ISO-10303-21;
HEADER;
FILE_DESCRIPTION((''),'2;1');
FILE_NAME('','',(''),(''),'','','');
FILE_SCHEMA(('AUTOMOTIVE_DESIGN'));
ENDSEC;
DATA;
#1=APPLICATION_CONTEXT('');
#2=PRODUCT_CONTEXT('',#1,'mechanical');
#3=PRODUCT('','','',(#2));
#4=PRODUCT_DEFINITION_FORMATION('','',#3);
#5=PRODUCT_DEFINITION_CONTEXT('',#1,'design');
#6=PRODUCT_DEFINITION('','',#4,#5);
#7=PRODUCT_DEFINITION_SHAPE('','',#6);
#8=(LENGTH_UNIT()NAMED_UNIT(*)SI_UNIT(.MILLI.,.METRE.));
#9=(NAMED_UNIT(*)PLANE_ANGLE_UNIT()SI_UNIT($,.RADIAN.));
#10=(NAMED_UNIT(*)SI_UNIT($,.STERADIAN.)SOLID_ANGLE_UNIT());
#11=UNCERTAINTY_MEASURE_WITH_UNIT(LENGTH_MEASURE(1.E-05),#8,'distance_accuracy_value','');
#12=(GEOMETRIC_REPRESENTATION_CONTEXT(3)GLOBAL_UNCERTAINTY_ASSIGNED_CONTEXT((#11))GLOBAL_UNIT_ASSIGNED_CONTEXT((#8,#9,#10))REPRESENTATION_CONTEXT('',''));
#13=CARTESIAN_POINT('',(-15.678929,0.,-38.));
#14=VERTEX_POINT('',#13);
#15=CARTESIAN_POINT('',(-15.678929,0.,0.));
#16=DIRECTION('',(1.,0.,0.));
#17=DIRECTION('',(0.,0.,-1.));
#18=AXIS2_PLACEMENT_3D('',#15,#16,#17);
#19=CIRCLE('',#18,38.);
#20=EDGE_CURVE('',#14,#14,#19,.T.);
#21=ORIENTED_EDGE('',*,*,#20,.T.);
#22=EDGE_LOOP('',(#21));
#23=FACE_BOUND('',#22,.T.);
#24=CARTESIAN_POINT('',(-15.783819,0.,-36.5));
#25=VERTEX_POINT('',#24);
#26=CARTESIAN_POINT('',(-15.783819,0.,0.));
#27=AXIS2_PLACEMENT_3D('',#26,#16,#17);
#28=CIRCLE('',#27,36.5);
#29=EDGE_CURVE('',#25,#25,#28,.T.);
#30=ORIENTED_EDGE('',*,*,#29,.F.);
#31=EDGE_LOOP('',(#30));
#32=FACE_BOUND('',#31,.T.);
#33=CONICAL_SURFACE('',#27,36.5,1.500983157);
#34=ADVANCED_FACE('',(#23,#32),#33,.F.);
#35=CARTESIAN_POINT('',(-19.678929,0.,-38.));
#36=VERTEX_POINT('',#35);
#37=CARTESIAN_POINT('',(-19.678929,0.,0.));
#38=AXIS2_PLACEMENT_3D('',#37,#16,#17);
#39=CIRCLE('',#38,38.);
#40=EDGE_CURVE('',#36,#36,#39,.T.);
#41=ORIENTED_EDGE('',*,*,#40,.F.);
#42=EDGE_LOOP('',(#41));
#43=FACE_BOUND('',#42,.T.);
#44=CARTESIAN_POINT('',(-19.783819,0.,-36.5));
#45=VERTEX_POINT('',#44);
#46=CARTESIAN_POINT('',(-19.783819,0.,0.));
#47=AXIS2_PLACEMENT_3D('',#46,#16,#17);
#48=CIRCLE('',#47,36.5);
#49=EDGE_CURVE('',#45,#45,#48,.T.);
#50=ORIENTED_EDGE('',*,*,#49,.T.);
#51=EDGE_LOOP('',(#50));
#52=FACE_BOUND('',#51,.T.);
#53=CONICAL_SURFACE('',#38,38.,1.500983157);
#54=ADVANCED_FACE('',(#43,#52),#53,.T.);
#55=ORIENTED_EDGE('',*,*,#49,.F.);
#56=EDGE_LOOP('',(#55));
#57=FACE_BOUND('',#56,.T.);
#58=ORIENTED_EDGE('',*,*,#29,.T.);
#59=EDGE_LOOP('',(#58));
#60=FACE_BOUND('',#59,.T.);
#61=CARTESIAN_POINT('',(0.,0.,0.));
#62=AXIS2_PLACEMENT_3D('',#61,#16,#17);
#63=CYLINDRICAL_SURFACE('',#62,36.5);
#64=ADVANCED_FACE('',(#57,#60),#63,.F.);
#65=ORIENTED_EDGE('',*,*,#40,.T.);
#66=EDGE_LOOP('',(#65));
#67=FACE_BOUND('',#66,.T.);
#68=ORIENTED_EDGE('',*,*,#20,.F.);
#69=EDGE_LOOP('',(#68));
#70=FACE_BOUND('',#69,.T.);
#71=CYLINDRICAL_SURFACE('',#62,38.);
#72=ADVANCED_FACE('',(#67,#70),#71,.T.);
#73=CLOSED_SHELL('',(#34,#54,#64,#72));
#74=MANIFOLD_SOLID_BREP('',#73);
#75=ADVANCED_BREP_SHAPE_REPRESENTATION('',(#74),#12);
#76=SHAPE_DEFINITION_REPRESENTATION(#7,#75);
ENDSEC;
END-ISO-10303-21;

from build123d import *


with BuildPart() as part:
    # Skica2 → Rotovat1 (revolve)
    with BuildSketch(Plane.XY):
        Polygon((-15.678928865, 38), (-19.678928865, 38), (-19.783819083, 36.5), (-15.783819083, 36.5), align=None)
    revolve(axis=Axis((0, 0, 0), (-1, 0, 0)))


solid = part.part
